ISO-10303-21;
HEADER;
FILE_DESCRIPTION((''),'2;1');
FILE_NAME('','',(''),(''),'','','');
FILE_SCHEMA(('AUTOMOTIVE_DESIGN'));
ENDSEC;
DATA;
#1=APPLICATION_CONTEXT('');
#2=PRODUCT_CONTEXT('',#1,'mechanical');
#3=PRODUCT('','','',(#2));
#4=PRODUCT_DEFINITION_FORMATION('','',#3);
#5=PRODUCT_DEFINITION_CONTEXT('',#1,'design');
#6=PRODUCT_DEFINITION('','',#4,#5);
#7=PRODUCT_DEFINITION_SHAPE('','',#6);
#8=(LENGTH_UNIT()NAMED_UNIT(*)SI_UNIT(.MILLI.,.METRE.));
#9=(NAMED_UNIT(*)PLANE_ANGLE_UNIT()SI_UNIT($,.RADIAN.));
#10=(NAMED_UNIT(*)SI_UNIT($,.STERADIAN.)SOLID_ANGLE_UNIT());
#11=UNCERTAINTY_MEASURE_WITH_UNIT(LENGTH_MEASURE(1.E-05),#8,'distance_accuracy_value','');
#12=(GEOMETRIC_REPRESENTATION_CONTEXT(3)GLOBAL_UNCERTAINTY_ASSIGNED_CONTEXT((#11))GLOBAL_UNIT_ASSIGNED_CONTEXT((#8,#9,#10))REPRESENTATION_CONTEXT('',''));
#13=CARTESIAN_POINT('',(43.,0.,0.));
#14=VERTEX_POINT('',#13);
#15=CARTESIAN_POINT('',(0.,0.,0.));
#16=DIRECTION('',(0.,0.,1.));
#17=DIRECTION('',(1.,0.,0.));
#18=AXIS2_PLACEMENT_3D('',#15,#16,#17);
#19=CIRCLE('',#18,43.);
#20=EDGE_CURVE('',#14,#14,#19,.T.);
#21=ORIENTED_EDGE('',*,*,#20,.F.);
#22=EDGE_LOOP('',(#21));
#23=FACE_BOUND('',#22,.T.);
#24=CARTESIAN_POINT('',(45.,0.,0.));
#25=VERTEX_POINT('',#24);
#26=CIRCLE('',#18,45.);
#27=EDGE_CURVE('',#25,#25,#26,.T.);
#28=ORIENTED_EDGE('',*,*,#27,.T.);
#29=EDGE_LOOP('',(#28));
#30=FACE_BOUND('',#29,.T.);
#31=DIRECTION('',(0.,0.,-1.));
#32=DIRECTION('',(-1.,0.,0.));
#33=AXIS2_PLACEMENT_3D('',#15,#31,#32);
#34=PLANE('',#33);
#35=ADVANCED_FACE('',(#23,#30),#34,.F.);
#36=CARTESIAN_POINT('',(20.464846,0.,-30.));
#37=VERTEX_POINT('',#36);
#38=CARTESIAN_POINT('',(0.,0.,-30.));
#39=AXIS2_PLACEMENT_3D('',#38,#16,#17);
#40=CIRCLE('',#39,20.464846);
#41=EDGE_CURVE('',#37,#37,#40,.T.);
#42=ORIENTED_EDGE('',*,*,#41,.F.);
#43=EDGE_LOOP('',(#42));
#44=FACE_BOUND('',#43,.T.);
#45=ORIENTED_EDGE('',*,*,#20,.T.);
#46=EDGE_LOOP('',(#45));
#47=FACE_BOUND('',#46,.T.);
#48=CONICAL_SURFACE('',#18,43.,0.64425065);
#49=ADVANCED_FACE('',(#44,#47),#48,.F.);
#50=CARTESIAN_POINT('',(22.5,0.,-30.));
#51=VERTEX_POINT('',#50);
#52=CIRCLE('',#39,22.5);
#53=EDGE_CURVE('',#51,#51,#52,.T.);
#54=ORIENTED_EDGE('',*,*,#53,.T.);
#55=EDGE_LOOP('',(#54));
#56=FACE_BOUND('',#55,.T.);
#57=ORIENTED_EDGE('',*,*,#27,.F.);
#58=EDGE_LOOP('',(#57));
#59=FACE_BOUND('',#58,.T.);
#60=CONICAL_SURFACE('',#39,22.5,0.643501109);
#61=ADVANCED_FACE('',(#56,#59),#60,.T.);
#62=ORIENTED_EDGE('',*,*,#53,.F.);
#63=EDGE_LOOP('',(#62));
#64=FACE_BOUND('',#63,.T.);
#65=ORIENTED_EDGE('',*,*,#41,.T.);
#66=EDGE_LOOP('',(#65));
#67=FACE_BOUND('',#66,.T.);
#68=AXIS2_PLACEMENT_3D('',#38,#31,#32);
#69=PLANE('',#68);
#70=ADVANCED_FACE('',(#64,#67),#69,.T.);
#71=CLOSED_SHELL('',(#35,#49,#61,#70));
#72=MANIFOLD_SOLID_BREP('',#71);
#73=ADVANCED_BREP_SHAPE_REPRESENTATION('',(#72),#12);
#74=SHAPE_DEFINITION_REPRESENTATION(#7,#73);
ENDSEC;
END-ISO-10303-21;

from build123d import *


with BuildPart() as part:
    # Sketch5 → Revolve2 (revolve)
    with BuildSketch(Plane(origin=(0, 0, 0), x_dir=(1, 0, 0), z_dir=(0, 1, 0)), mode=Mode.PRIVATE) as revolve2_sk:
        Polygon((-43, 0), (-20.46484551, 30), (-22.5, 30), (-45, 0), align=None)
    revolve(revolve2_sk.sketch.rotate(Axis((0, 0, 0), (0, 0, -1)), 180), axis=Axis((0, 0, 0), (0, 0, -1)))


solid = part.part
